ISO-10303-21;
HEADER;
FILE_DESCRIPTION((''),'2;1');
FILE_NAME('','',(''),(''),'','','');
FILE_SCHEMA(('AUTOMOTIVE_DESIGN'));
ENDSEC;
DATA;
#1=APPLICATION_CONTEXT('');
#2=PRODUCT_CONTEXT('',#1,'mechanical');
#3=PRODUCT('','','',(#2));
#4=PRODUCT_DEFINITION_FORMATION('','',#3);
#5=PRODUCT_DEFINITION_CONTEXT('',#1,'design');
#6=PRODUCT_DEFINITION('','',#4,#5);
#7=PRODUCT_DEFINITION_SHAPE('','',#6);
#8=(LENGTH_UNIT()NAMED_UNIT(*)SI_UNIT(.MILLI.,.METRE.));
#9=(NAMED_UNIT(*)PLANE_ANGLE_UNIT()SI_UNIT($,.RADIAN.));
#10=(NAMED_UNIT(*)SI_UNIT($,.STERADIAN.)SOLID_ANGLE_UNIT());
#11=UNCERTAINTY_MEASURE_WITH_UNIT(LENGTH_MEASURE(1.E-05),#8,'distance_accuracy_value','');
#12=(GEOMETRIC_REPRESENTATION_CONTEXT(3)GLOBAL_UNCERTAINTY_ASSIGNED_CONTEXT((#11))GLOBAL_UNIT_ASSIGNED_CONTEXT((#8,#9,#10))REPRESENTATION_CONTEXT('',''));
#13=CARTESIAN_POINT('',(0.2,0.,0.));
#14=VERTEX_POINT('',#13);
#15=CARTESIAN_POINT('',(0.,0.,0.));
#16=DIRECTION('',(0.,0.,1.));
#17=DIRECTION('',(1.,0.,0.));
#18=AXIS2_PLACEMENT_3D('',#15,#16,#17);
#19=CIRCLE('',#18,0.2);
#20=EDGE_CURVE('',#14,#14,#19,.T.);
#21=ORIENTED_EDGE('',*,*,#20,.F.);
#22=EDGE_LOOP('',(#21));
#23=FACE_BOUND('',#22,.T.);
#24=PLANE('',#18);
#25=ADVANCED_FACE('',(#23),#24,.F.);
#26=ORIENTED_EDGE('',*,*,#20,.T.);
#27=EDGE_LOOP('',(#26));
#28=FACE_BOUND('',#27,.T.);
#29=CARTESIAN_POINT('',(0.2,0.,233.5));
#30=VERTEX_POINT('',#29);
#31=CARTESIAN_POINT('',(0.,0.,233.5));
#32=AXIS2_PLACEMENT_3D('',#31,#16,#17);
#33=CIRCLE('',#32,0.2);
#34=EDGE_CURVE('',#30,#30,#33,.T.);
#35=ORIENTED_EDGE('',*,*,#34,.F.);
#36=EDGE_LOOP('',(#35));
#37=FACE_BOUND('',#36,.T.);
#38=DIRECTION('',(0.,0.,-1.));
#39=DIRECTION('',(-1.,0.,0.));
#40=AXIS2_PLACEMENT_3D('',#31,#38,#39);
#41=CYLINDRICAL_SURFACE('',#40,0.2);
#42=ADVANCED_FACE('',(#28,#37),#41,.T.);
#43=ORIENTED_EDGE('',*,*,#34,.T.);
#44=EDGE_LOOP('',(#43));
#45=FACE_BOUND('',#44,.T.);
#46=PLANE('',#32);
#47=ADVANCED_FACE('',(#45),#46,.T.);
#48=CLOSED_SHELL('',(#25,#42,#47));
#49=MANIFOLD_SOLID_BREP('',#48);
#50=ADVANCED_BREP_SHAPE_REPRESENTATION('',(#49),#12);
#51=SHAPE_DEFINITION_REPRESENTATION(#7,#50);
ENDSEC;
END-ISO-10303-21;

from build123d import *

# Parameters (mm, degrees)
SKETCH_1_R      = 0.2
EXTRUDE_1_DEPTH = 233.5


with BuildPart() as part:
    # 草图1 → 凸台-拉伸1 (new body)
    with BuildSketch(Plane.XY):
        Circle(SKETCH_1_R)
    extrude(amount=EXTRUDE_1_DEPTH)


solid = part.part
